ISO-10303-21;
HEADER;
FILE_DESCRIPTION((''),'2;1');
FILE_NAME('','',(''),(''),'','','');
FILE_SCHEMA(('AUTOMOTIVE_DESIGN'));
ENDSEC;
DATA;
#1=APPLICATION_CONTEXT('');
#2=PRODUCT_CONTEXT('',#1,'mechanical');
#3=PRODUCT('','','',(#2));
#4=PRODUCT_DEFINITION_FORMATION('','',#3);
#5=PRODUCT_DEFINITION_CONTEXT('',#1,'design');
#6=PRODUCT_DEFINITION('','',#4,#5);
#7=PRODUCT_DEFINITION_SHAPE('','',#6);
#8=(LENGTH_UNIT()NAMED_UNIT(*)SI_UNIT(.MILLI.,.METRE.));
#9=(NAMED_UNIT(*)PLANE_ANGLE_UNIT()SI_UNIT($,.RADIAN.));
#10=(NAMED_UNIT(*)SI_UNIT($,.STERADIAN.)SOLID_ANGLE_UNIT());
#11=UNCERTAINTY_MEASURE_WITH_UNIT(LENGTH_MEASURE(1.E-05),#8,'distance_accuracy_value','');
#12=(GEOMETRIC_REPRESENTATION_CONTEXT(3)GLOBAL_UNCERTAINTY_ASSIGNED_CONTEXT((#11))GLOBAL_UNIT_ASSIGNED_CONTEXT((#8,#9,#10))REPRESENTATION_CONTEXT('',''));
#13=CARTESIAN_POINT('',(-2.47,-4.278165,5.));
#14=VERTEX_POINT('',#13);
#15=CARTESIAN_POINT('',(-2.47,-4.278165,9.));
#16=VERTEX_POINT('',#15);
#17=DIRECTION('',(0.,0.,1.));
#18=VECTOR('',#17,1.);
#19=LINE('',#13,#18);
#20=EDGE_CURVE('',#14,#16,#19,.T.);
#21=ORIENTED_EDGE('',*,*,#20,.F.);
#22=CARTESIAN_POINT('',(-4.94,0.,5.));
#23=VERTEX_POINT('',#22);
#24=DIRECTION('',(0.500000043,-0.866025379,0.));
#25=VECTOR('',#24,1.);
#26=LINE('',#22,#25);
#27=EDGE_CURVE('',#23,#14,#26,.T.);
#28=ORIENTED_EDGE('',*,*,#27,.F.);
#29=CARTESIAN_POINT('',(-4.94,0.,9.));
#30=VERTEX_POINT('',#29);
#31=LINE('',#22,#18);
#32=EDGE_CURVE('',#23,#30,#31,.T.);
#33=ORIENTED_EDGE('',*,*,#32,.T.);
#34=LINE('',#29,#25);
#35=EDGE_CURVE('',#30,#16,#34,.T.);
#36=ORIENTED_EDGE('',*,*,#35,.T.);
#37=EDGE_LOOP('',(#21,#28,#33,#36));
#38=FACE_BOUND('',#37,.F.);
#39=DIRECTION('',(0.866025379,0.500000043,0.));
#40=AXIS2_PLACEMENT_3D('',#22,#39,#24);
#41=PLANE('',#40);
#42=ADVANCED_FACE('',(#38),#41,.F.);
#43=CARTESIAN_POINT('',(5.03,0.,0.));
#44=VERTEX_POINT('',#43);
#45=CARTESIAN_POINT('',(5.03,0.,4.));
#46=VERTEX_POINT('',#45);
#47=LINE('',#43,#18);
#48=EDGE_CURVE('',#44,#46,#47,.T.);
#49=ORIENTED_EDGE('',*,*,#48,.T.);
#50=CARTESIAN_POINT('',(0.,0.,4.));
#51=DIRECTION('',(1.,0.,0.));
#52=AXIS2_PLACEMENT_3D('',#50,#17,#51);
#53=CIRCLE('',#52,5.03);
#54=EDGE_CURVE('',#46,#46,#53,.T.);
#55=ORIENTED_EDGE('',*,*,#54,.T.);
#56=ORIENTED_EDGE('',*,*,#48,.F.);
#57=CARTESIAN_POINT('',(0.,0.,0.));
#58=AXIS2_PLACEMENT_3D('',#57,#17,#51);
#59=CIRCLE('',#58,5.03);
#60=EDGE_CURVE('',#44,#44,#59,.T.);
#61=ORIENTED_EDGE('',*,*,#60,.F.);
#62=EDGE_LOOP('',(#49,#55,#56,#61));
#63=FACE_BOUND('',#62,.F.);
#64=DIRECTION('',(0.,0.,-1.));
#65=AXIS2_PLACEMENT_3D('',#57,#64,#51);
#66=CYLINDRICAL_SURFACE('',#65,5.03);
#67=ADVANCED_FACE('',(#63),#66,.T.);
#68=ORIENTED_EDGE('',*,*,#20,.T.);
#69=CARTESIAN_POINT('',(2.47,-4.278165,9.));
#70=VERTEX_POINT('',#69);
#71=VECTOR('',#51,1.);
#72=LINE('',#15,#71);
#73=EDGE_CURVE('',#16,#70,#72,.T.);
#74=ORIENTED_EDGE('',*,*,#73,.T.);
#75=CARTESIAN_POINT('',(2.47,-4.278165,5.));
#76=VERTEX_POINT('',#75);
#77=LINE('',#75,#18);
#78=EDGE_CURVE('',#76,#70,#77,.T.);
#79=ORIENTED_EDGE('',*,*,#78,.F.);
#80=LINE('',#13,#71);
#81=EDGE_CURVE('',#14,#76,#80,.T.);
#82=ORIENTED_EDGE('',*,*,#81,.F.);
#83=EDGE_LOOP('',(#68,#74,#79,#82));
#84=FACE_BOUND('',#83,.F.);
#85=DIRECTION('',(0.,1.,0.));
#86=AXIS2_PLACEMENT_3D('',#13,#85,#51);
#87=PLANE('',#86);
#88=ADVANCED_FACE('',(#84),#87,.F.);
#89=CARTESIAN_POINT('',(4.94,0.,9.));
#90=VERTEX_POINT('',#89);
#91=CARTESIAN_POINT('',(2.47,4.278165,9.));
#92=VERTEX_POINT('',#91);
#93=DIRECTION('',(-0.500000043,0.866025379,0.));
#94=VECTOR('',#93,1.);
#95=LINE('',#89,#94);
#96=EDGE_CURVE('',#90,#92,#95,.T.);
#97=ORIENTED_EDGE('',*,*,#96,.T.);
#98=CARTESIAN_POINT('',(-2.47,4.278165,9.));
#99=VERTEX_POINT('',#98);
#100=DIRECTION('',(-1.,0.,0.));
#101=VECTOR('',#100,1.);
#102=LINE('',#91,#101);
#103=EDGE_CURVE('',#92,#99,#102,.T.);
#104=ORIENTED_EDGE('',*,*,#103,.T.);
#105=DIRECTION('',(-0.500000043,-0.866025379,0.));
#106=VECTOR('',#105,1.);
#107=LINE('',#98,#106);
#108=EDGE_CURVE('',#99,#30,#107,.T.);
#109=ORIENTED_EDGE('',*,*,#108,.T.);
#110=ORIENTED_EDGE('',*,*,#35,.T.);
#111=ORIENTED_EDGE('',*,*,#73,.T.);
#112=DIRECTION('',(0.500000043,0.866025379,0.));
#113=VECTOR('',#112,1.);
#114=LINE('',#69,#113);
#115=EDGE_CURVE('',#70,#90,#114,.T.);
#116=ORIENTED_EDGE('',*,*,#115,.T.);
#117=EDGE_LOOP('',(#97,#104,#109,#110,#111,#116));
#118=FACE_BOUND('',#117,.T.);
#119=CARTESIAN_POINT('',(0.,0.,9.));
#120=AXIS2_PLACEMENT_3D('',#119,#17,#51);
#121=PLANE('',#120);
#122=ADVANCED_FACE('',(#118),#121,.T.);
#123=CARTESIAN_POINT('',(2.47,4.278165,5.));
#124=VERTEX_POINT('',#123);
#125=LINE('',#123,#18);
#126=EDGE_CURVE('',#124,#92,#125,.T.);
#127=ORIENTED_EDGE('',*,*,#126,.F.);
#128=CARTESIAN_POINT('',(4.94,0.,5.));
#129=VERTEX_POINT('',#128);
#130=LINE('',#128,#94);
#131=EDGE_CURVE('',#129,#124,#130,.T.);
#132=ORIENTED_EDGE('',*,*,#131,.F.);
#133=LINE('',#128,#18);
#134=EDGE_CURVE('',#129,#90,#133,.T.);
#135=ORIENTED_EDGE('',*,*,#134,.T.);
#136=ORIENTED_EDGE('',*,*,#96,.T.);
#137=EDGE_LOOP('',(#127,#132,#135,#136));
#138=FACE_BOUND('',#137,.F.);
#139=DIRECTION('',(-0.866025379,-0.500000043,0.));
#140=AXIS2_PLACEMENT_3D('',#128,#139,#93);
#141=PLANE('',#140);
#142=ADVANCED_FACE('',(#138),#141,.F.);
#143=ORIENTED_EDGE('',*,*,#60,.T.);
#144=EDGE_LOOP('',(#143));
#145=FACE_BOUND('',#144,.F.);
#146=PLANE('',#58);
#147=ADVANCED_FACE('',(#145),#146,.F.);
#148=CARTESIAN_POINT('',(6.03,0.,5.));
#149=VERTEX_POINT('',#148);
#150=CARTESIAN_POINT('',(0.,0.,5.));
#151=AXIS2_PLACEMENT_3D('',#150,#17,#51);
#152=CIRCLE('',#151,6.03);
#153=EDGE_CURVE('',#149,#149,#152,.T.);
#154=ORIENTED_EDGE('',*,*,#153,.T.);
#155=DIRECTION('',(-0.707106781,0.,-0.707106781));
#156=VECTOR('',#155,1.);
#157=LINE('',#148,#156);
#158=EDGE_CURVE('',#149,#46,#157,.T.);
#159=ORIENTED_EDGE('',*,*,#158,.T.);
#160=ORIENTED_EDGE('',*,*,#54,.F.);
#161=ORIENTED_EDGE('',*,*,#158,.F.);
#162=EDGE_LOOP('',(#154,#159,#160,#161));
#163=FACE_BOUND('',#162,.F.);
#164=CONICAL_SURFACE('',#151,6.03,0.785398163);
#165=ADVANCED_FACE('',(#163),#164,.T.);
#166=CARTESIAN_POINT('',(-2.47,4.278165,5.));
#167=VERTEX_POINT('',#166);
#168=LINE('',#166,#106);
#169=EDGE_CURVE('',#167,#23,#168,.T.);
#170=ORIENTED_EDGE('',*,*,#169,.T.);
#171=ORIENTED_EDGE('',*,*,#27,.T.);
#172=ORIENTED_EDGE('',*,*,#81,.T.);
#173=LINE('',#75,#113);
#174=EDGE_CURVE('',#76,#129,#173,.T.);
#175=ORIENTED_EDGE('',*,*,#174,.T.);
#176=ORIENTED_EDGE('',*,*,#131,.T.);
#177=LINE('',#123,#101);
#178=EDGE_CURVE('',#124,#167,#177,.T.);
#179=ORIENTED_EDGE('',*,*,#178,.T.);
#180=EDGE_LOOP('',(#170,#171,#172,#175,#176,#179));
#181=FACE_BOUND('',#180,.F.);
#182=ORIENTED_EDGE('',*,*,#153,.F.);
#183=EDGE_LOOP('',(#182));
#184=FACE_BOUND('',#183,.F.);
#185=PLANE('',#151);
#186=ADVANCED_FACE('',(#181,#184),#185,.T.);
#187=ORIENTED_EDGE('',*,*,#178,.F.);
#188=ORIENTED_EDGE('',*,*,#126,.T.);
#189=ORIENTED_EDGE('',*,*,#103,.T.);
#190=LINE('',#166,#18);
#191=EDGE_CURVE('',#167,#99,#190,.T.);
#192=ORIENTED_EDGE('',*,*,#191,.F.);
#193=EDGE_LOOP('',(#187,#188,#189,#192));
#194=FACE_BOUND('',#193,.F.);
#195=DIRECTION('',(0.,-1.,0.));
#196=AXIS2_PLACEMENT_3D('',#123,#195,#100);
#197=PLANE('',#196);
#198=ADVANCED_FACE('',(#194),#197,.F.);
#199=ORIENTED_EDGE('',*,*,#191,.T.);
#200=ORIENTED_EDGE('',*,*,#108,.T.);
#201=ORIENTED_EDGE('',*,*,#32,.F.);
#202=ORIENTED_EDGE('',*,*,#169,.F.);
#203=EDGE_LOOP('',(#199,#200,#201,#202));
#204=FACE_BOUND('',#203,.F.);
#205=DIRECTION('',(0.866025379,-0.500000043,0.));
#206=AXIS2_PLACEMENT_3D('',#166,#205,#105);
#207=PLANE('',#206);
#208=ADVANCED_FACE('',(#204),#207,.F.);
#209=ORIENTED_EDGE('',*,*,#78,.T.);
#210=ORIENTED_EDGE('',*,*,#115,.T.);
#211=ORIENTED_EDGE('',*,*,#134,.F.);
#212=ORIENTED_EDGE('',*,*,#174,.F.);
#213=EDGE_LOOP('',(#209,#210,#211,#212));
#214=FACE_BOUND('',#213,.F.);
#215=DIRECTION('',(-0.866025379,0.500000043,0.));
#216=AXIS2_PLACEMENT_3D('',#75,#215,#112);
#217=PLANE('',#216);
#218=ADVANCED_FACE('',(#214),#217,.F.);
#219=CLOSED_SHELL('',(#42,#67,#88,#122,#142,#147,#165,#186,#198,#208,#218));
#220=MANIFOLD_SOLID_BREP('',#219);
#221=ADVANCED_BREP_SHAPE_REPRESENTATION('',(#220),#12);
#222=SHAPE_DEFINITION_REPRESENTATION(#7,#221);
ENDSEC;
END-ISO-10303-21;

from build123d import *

# Parameters (mm, degrees)
SKETCH007_R  = 5.03
PAD005_DEPTH = 5
PAD006_DEPTH = 4


with BuildPart() as part:
    # Sketch007 → Pad005 (new body)
    with BuildSketch(Plane.XY):
        Circle(SKETCH007_R)
    extrude(amount=PAD005_DEPTH)

    # Sketch008 → Pad006 (join)
    with BuildSketch(Plane.XY.offset(5)):
        Polygon((2.47, -4.278165), (4.94, 0), (2.47, 4.278165), (-2.47, 4.278165), (-4.94, 0), (-2.47, -4.278165), align=None)
    extrude(amount=PAD006_DEPTH)

    # Sketch009 → Revolution001 (revolve)
    with BuildSketch(Plane.XZ):
        Polygon((5.03, 5), (6.03, 5), (5.03, 4), align=None)
    revolve(axis=Axis((0, 0, 0), (0, 0, 1)))


solid = part.part
